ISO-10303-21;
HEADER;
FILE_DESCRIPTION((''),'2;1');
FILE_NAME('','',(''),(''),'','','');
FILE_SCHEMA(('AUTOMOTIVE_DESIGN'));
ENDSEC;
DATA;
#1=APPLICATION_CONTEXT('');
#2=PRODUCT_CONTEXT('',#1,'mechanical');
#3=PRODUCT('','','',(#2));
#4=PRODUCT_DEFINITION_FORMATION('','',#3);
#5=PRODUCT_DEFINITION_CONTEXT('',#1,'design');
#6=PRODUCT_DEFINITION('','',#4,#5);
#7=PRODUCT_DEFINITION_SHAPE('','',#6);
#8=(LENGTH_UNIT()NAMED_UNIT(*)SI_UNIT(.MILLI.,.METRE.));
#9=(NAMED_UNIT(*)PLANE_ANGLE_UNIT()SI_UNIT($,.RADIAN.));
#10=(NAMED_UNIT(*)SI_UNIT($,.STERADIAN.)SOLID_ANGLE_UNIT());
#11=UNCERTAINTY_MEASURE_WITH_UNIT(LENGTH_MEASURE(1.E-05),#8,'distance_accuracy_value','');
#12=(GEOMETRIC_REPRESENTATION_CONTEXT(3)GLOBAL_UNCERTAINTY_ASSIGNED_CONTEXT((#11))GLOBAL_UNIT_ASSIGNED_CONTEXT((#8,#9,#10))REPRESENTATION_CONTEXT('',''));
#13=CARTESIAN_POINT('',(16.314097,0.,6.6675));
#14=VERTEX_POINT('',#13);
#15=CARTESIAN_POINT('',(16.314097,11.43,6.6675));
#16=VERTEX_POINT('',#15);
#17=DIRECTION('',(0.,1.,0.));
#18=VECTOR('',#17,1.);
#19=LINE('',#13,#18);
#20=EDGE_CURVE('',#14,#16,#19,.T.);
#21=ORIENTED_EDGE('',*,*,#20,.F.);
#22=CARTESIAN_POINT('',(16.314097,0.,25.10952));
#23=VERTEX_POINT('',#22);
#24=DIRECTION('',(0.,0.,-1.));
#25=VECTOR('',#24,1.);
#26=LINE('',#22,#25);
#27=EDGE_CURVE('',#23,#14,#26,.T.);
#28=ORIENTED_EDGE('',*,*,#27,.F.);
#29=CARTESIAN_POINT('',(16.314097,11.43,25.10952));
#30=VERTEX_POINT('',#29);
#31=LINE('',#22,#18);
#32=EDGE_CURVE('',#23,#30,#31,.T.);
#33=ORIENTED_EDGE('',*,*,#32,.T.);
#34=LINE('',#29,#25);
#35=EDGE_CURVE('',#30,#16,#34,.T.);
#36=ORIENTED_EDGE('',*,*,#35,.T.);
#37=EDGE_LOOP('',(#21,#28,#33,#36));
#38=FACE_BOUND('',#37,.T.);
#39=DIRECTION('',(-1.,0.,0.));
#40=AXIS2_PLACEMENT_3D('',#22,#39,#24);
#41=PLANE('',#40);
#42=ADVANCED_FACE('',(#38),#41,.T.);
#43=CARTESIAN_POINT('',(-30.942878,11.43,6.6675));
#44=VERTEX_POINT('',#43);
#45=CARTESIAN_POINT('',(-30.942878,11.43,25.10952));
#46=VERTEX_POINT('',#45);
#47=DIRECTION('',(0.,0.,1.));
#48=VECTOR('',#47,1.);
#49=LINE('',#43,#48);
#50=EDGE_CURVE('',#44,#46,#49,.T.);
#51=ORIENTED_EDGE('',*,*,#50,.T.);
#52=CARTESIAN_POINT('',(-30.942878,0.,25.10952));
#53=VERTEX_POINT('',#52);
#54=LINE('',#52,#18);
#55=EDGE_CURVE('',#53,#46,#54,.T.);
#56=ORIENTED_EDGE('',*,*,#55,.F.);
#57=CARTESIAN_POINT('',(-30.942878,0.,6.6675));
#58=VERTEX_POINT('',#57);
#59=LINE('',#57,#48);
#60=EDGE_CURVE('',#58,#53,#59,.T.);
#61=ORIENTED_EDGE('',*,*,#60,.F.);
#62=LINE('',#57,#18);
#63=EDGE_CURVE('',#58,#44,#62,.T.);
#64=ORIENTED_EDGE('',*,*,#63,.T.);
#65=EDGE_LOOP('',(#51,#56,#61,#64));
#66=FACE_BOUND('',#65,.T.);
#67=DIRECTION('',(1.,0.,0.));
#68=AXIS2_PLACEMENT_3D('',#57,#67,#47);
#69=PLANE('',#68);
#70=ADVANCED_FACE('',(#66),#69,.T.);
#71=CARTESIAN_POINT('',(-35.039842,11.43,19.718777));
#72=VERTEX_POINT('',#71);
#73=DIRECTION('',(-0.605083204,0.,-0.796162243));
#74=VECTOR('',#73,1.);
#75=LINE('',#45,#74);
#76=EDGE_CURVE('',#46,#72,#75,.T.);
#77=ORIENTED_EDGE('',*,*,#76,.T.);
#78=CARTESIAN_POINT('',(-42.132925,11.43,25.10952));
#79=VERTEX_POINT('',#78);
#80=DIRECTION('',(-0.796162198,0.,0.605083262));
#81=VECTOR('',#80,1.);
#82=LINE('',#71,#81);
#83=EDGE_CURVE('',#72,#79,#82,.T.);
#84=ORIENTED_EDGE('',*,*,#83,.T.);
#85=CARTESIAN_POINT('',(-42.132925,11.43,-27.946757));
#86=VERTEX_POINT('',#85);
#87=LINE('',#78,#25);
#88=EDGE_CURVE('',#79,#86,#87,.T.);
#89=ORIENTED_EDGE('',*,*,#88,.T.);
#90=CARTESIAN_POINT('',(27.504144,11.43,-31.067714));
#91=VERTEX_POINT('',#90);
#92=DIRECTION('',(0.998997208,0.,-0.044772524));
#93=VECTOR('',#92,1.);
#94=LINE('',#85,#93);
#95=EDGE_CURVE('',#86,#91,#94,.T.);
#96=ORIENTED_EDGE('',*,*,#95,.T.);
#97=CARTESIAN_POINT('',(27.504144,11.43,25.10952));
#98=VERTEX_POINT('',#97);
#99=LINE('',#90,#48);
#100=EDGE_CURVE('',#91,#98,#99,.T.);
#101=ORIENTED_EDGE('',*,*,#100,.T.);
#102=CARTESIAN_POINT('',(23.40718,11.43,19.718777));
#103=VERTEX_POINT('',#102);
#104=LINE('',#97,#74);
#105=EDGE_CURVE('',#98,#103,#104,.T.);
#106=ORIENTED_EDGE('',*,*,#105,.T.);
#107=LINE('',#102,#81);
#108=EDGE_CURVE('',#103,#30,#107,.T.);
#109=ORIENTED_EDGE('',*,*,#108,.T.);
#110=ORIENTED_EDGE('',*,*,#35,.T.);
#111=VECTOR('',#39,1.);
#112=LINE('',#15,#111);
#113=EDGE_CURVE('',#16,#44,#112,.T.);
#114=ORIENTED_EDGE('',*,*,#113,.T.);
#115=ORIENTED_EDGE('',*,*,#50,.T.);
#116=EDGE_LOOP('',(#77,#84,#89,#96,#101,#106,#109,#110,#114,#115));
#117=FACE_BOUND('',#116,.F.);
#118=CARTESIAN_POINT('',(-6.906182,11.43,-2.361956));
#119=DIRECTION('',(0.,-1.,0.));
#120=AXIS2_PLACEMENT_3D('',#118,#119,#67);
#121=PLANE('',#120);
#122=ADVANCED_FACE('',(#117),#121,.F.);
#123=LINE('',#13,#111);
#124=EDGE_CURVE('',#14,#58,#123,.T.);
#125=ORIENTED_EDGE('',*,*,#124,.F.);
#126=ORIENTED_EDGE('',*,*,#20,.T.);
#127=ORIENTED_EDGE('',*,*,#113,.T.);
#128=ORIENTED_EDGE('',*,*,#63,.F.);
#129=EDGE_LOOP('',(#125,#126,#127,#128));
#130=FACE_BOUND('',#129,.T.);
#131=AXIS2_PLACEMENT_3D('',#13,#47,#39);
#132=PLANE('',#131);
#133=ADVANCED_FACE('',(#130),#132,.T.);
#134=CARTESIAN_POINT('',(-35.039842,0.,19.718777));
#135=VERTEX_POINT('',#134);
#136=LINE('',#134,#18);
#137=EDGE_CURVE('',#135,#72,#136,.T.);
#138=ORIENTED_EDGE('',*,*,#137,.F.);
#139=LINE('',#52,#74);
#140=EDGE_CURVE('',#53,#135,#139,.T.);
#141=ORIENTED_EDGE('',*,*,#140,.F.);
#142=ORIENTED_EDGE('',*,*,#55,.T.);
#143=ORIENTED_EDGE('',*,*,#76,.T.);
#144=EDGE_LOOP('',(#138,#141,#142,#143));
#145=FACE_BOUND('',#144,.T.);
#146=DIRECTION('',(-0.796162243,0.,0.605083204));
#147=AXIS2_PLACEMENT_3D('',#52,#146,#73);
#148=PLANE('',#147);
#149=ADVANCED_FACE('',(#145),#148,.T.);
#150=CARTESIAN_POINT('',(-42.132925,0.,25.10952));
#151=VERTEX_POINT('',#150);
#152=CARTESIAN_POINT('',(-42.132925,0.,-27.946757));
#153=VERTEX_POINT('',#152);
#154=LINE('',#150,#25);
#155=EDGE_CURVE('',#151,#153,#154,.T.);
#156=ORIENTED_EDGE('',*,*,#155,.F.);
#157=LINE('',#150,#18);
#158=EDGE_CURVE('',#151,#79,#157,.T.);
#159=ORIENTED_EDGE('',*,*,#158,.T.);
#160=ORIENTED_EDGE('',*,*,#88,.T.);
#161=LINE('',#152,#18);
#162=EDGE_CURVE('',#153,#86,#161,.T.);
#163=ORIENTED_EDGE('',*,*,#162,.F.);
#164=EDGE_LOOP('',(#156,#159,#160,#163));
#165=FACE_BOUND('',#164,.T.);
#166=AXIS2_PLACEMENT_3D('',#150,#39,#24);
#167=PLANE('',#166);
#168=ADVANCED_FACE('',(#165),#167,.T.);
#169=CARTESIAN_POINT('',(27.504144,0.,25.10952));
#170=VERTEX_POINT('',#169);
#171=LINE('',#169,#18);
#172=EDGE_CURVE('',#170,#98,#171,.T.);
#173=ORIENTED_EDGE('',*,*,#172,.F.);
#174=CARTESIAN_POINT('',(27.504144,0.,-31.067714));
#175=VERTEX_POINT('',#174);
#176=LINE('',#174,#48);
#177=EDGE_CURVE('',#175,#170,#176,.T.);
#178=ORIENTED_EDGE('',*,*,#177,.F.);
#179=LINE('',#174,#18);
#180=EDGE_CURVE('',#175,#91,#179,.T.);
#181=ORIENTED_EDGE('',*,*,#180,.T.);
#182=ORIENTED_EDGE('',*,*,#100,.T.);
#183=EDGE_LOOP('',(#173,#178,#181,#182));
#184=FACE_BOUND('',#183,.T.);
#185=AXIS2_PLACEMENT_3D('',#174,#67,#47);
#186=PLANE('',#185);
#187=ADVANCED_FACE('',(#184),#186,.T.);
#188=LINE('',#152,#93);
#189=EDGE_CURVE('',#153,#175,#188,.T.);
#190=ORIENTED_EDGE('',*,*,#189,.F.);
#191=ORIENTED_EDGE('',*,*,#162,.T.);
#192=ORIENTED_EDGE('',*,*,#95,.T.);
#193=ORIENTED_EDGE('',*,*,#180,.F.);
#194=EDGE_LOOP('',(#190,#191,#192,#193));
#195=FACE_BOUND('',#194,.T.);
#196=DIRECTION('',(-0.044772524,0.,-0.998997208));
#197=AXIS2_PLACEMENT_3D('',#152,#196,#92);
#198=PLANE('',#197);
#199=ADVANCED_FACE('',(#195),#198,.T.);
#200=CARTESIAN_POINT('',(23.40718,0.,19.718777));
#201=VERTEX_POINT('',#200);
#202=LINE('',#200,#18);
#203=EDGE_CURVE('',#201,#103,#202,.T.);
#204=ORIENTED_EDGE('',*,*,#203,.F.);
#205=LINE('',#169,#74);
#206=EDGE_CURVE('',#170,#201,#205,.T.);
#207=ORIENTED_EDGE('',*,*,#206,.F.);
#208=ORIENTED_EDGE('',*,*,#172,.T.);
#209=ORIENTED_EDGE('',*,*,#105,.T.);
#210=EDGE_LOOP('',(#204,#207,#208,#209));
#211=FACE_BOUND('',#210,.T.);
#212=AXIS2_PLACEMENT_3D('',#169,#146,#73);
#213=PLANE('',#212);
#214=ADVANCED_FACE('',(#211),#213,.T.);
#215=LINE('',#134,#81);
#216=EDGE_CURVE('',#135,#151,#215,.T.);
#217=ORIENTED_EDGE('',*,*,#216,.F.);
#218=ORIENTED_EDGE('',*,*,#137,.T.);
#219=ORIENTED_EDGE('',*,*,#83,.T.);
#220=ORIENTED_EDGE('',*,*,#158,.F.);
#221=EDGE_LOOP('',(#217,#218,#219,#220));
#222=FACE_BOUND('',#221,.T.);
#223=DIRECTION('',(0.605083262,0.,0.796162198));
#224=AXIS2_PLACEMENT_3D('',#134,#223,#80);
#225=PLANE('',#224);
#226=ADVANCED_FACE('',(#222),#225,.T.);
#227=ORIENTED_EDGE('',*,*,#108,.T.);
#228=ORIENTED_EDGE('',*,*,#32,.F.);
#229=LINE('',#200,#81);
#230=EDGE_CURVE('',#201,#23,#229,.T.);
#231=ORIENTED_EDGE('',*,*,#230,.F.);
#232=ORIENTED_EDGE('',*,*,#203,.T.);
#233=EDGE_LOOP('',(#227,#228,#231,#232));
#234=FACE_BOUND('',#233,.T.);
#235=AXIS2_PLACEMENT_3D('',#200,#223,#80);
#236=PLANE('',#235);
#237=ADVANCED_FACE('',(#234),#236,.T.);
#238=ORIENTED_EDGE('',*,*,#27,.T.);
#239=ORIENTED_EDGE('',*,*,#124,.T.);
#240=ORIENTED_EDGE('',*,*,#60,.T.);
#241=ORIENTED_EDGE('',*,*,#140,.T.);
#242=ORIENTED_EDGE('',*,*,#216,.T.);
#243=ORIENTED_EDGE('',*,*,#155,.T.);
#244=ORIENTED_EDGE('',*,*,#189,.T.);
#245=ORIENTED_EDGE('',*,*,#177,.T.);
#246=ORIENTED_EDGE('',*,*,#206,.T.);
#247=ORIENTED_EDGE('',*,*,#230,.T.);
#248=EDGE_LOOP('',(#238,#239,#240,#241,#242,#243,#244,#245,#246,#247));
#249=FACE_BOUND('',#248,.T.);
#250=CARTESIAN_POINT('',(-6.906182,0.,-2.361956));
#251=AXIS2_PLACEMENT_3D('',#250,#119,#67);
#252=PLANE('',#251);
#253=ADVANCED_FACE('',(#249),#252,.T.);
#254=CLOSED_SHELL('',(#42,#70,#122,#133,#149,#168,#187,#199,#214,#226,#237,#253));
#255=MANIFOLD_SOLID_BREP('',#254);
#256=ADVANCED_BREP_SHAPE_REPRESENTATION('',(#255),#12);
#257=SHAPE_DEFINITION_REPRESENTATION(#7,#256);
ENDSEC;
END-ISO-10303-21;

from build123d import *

# Parameters (mm, degrees)
F1_DEPTH = 11.43


with BuildPart() as f1:
    # F0 (on Front) → F1 (new body)
    with BuildSketch(Plane.XZ):
        Polygon((-35.039842, 19.718777), (-42.132925, 25.10952), (-42.132925, -27.946757), (27.504144, -31.067714), (27.504144, 6.6675), (27.504144, 25.10952), (23.40718, 19.718777), (16.314097, 25.10952), (16.314097, 6.6675), (-30.942878, 6.6675), (-30.942878, 25.10952), align=None)
    extrude(amount=-F1_DEPTH)


solid = f1.part
